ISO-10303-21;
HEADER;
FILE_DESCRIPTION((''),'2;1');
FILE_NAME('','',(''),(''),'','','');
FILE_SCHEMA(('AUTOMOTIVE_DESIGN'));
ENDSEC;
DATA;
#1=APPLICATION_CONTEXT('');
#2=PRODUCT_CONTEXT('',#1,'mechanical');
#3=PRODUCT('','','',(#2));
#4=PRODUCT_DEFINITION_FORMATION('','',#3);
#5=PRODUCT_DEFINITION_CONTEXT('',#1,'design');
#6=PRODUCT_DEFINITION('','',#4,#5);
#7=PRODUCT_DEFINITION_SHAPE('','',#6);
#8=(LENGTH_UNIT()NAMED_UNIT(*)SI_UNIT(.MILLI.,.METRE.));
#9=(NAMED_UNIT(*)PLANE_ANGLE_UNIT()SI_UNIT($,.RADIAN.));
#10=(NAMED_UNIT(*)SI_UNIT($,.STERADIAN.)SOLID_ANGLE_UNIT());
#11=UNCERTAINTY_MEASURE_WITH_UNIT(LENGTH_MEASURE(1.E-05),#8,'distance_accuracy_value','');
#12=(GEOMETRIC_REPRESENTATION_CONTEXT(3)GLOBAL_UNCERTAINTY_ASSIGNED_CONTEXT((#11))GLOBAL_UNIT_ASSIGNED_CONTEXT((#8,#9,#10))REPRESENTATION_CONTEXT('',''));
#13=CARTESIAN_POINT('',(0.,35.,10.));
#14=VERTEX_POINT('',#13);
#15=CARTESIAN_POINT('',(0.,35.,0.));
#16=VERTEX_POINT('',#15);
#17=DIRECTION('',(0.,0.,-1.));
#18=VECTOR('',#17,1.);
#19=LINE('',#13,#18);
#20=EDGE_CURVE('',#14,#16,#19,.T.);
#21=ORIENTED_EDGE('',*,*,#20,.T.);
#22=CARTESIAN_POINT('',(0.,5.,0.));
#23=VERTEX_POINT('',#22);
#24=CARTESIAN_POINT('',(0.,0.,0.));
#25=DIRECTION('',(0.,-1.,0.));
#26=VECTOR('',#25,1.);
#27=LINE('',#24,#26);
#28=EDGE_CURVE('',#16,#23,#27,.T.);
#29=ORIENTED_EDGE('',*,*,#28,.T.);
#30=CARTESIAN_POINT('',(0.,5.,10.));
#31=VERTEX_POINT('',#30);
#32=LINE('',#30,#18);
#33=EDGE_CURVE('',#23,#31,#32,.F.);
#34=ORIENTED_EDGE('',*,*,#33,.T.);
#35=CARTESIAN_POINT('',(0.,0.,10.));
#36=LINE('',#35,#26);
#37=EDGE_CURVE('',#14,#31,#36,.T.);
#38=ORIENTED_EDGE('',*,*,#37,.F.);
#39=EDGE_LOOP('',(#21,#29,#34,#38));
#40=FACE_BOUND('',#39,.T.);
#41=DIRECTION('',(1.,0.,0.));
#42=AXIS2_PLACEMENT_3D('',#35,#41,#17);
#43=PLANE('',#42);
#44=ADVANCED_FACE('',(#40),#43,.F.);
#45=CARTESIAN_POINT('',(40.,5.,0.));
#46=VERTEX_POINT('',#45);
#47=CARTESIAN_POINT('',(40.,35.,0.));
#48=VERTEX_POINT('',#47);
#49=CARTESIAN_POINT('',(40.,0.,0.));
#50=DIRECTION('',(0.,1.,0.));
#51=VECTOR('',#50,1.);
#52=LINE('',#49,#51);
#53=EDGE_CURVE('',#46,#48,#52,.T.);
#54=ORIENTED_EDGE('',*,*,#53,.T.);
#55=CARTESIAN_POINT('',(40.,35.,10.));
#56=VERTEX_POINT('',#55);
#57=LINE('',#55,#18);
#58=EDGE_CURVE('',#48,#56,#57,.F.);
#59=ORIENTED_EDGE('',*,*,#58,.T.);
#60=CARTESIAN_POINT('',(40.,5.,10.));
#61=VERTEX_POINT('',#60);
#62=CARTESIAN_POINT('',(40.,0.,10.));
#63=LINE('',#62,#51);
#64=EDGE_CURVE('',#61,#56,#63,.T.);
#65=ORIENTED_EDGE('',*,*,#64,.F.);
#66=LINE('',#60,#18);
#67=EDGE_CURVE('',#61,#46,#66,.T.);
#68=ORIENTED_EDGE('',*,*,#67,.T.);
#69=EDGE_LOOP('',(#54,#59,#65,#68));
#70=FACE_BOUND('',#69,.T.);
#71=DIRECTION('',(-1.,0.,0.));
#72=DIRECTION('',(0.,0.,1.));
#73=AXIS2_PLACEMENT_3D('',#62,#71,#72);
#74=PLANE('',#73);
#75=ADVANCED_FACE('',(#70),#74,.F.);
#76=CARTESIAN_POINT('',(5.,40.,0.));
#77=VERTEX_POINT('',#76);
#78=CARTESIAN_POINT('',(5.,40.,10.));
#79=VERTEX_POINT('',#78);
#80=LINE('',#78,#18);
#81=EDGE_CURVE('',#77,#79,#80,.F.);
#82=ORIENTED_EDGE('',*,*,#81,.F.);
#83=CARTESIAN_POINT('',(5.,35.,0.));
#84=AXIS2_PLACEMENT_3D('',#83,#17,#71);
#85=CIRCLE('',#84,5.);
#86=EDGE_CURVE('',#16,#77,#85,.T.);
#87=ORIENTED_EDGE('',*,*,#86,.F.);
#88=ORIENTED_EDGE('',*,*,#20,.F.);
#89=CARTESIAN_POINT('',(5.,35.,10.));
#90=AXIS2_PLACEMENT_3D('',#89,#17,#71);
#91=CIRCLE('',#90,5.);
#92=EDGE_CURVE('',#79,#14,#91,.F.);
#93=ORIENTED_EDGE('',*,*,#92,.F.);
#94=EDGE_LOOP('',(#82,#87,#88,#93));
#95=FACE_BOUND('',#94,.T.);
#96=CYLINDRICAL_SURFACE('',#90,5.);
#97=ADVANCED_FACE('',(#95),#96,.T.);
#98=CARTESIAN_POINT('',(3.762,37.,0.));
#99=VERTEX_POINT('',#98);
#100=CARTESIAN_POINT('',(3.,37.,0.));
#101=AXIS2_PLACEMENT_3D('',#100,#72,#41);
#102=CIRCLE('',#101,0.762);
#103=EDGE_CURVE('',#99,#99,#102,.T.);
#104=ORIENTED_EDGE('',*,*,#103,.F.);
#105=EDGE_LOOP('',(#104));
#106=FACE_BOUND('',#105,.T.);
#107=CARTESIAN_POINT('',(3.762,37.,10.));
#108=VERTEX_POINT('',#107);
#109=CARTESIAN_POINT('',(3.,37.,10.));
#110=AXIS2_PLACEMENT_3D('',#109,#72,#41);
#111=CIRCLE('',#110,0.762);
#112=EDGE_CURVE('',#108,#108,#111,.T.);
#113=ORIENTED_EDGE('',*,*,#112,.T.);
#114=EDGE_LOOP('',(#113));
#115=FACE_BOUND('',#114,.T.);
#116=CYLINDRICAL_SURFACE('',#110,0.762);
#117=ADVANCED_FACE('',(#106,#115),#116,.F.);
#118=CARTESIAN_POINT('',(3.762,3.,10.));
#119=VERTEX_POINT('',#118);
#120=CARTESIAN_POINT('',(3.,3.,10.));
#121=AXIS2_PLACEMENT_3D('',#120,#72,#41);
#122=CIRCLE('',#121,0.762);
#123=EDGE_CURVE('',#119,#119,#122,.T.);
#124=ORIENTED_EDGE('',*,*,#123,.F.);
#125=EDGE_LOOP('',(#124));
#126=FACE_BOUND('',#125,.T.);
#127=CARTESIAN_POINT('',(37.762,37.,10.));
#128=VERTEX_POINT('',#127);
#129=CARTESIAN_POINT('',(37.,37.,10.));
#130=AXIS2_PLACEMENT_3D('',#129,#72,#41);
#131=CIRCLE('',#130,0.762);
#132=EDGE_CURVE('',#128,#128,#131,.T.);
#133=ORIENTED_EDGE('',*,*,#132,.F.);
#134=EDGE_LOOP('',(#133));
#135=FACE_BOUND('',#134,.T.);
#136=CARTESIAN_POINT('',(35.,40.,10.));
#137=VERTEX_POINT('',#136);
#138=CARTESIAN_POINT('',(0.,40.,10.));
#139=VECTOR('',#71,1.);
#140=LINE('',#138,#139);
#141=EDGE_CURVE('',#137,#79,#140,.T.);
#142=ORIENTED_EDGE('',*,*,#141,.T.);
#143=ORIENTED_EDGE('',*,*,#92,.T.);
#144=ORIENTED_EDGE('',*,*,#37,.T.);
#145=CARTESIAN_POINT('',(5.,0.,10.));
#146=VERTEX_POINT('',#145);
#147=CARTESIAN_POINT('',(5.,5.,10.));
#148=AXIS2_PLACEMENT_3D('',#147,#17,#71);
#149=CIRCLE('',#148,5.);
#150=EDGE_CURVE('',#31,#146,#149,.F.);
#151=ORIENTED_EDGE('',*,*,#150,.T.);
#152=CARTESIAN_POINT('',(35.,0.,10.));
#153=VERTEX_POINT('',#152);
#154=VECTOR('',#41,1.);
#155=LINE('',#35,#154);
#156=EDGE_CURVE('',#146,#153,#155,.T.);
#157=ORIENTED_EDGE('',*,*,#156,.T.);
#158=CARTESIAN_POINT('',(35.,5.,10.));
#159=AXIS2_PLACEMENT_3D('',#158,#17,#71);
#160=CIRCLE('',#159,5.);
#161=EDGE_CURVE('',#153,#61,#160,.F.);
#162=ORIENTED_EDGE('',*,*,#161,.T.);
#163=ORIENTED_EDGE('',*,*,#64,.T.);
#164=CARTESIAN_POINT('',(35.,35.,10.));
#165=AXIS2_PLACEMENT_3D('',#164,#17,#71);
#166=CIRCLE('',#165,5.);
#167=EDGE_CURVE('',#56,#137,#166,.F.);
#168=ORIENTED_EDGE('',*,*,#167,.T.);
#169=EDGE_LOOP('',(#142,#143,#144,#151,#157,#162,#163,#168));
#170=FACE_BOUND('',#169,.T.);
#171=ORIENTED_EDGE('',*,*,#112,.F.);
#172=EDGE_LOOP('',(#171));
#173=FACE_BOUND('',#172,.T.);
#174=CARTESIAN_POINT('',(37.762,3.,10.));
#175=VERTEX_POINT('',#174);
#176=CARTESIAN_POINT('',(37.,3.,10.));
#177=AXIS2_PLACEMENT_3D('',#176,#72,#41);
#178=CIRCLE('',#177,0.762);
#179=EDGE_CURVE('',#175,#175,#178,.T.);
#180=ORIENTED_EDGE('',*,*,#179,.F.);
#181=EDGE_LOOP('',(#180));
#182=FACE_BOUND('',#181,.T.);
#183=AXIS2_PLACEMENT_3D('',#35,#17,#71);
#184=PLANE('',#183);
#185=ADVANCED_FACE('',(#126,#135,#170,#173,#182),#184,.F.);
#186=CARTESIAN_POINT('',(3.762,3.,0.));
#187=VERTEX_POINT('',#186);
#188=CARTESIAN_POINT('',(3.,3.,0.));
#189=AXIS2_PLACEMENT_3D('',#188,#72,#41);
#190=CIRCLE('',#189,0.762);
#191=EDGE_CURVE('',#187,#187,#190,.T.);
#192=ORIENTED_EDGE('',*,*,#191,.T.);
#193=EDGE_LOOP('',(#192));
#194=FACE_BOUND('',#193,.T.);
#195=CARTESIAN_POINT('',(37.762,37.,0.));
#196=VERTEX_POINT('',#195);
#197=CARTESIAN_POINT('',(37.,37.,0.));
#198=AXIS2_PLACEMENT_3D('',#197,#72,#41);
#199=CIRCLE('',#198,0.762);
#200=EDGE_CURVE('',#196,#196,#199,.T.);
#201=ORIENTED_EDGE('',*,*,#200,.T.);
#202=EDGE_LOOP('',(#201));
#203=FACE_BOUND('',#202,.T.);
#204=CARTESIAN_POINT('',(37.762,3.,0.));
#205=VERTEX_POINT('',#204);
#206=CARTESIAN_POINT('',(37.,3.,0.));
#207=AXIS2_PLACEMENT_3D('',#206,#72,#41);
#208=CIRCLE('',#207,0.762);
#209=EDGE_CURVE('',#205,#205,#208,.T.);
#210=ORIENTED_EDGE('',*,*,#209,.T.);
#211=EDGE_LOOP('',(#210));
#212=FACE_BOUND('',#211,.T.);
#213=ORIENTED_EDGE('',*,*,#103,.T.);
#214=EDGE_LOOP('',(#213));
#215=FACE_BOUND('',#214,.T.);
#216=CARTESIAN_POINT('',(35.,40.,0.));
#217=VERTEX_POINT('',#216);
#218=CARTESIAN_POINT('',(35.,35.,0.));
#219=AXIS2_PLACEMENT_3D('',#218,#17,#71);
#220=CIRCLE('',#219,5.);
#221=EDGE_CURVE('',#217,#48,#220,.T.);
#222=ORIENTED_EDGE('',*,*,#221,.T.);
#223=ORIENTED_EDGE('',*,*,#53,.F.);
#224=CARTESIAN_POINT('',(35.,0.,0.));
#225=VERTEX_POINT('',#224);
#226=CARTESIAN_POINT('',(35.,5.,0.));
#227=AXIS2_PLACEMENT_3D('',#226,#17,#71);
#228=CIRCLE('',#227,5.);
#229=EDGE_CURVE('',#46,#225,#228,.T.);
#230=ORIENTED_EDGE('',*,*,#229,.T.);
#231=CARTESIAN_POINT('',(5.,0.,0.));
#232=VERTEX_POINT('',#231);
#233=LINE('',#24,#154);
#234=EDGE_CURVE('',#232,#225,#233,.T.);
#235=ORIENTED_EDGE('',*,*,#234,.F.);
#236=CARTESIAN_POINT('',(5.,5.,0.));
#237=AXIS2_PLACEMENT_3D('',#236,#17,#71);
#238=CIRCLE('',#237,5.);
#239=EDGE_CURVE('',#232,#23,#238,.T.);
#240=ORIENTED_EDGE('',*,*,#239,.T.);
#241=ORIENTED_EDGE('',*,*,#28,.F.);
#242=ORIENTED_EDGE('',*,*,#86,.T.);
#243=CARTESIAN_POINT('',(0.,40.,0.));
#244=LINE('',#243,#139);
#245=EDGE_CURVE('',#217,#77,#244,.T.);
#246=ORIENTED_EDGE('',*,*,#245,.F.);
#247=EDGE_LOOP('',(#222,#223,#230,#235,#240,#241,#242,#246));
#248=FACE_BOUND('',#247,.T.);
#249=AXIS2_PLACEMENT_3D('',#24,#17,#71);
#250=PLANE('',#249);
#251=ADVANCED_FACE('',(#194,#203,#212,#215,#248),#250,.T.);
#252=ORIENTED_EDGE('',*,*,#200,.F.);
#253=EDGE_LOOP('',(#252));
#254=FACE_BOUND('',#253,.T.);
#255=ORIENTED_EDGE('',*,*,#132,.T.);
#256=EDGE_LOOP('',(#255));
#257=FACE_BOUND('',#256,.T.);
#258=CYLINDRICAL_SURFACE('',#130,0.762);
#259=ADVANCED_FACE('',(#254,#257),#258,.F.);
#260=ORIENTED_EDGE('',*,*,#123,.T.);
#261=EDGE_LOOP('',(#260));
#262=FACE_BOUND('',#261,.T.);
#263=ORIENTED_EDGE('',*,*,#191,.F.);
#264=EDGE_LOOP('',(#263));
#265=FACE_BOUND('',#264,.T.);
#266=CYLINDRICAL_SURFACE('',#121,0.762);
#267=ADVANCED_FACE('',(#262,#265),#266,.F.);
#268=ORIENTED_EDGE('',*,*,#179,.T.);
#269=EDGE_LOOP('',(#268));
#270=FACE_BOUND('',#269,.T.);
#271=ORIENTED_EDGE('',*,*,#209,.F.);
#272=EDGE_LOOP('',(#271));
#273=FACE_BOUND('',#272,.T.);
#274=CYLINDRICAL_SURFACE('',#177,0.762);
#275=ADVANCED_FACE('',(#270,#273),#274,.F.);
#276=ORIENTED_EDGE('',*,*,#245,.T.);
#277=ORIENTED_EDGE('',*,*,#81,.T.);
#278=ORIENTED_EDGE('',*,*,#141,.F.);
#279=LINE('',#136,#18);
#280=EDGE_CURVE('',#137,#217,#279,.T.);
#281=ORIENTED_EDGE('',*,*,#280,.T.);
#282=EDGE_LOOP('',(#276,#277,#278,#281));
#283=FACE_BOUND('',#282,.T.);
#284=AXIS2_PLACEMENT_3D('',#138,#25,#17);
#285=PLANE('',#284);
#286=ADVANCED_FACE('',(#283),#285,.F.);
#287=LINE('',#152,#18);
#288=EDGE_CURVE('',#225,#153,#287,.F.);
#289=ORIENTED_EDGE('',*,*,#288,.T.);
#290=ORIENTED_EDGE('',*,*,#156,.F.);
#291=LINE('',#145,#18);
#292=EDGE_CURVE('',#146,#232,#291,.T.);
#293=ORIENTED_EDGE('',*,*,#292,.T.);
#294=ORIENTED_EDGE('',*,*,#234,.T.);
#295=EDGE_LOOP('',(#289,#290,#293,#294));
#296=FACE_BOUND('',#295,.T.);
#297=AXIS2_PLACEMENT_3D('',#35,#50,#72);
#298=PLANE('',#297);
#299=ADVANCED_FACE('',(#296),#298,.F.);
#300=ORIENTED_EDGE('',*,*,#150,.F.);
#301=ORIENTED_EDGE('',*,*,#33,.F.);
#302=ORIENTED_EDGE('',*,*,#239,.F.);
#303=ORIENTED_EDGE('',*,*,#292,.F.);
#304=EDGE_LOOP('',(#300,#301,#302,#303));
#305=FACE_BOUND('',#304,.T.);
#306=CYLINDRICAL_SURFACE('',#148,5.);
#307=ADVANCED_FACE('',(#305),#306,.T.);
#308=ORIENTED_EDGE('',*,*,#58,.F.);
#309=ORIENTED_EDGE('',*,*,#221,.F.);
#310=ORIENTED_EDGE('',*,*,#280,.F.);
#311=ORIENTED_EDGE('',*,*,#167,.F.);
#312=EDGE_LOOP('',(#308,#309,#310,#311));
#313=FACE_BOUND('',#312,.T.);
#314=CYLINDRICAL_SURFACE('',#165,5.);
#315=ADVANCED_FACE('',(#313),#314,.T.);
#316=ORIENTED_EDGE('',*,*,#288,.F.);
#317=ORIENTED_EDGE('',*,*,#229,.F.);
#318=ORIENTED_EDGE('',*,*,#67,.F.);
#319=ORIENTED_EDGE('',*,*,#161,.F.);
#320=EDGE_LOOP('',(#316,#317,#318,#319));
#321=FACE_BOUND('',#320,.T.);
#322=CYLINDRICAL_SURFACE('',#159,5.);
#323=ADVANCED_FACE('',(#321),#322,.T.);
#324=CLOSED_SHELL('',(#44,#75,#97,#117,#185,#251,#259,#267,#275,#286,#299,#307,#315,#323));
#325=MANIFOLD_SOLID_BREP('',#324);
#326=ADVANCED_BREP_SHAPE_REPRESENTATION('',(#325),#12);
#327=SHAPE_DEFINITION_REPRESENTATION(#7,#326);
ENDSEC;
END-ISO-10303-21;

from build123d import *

# Parameters (mm, degrees)
SKETCH1_W             = 40
SKETCH1_H             = 40
BOSS_EXTRUDE1_DEPTH   = 10
F_3_0MM_DOWEL_HOLE1_D = 1.524
MIRROR2_COPY_1_D      = 1.524
FILLET1_R             = 5


with BuildPart() as part:
    # Sketch1 → Boss-Extrude1 (new body)
    with BuildSketch(Plane.XY):
        with Locations((20, 20)):
            Rectangle(SKETCH1_W, SKETCH1_H)
    extrude(amount=BOSS_EXTRUDE1_DEPTH)

    # Ø3.0mm Dowel Hole1 (through all)
    with Locations(Plane.XY.offset(10)):
        with Locations((3, 37)):
            f_3_0mm_dowel_hole1 = Hole(F_3_0MM_DOWEL_HOLE1_D / 2)

    # Mirror1: Ø3.0mm Dowel Hole1 across plane
    add(f_3_0mm_dowel_hole1.mirror(Plane.ZY.offset(-20)), mode=Mode.SUBTRACT)

    # Mirror2: Ø3.0mm Dowel Hole1 across plane
    add(f_3_0mm_dowel_hole1.mirror(Plane.ZX.offset(20)), mode=Mode.SUBTRACT)

    # Mirror2 copy 1 (through all)
    with Locations(Plane(origin=(40, 40, 10), x_dir=(-1, 0, 0), z_dir=(0, 0, 1))):
        with Locations((3, 37)):
            Hole(MIRROR2_COPY_1_D / 2)

    # Fillet1
    fillet1_edges = [part.edges().sort_by_distance(p)[0] for p in [
        (0, 40, 5),
        (40, 40, 5),
        (40, 0, 5),
        (0, 0, 5),
    ]]
    fillet(fillet1_edges, radius=FILLET1_R)


solid = part.part
